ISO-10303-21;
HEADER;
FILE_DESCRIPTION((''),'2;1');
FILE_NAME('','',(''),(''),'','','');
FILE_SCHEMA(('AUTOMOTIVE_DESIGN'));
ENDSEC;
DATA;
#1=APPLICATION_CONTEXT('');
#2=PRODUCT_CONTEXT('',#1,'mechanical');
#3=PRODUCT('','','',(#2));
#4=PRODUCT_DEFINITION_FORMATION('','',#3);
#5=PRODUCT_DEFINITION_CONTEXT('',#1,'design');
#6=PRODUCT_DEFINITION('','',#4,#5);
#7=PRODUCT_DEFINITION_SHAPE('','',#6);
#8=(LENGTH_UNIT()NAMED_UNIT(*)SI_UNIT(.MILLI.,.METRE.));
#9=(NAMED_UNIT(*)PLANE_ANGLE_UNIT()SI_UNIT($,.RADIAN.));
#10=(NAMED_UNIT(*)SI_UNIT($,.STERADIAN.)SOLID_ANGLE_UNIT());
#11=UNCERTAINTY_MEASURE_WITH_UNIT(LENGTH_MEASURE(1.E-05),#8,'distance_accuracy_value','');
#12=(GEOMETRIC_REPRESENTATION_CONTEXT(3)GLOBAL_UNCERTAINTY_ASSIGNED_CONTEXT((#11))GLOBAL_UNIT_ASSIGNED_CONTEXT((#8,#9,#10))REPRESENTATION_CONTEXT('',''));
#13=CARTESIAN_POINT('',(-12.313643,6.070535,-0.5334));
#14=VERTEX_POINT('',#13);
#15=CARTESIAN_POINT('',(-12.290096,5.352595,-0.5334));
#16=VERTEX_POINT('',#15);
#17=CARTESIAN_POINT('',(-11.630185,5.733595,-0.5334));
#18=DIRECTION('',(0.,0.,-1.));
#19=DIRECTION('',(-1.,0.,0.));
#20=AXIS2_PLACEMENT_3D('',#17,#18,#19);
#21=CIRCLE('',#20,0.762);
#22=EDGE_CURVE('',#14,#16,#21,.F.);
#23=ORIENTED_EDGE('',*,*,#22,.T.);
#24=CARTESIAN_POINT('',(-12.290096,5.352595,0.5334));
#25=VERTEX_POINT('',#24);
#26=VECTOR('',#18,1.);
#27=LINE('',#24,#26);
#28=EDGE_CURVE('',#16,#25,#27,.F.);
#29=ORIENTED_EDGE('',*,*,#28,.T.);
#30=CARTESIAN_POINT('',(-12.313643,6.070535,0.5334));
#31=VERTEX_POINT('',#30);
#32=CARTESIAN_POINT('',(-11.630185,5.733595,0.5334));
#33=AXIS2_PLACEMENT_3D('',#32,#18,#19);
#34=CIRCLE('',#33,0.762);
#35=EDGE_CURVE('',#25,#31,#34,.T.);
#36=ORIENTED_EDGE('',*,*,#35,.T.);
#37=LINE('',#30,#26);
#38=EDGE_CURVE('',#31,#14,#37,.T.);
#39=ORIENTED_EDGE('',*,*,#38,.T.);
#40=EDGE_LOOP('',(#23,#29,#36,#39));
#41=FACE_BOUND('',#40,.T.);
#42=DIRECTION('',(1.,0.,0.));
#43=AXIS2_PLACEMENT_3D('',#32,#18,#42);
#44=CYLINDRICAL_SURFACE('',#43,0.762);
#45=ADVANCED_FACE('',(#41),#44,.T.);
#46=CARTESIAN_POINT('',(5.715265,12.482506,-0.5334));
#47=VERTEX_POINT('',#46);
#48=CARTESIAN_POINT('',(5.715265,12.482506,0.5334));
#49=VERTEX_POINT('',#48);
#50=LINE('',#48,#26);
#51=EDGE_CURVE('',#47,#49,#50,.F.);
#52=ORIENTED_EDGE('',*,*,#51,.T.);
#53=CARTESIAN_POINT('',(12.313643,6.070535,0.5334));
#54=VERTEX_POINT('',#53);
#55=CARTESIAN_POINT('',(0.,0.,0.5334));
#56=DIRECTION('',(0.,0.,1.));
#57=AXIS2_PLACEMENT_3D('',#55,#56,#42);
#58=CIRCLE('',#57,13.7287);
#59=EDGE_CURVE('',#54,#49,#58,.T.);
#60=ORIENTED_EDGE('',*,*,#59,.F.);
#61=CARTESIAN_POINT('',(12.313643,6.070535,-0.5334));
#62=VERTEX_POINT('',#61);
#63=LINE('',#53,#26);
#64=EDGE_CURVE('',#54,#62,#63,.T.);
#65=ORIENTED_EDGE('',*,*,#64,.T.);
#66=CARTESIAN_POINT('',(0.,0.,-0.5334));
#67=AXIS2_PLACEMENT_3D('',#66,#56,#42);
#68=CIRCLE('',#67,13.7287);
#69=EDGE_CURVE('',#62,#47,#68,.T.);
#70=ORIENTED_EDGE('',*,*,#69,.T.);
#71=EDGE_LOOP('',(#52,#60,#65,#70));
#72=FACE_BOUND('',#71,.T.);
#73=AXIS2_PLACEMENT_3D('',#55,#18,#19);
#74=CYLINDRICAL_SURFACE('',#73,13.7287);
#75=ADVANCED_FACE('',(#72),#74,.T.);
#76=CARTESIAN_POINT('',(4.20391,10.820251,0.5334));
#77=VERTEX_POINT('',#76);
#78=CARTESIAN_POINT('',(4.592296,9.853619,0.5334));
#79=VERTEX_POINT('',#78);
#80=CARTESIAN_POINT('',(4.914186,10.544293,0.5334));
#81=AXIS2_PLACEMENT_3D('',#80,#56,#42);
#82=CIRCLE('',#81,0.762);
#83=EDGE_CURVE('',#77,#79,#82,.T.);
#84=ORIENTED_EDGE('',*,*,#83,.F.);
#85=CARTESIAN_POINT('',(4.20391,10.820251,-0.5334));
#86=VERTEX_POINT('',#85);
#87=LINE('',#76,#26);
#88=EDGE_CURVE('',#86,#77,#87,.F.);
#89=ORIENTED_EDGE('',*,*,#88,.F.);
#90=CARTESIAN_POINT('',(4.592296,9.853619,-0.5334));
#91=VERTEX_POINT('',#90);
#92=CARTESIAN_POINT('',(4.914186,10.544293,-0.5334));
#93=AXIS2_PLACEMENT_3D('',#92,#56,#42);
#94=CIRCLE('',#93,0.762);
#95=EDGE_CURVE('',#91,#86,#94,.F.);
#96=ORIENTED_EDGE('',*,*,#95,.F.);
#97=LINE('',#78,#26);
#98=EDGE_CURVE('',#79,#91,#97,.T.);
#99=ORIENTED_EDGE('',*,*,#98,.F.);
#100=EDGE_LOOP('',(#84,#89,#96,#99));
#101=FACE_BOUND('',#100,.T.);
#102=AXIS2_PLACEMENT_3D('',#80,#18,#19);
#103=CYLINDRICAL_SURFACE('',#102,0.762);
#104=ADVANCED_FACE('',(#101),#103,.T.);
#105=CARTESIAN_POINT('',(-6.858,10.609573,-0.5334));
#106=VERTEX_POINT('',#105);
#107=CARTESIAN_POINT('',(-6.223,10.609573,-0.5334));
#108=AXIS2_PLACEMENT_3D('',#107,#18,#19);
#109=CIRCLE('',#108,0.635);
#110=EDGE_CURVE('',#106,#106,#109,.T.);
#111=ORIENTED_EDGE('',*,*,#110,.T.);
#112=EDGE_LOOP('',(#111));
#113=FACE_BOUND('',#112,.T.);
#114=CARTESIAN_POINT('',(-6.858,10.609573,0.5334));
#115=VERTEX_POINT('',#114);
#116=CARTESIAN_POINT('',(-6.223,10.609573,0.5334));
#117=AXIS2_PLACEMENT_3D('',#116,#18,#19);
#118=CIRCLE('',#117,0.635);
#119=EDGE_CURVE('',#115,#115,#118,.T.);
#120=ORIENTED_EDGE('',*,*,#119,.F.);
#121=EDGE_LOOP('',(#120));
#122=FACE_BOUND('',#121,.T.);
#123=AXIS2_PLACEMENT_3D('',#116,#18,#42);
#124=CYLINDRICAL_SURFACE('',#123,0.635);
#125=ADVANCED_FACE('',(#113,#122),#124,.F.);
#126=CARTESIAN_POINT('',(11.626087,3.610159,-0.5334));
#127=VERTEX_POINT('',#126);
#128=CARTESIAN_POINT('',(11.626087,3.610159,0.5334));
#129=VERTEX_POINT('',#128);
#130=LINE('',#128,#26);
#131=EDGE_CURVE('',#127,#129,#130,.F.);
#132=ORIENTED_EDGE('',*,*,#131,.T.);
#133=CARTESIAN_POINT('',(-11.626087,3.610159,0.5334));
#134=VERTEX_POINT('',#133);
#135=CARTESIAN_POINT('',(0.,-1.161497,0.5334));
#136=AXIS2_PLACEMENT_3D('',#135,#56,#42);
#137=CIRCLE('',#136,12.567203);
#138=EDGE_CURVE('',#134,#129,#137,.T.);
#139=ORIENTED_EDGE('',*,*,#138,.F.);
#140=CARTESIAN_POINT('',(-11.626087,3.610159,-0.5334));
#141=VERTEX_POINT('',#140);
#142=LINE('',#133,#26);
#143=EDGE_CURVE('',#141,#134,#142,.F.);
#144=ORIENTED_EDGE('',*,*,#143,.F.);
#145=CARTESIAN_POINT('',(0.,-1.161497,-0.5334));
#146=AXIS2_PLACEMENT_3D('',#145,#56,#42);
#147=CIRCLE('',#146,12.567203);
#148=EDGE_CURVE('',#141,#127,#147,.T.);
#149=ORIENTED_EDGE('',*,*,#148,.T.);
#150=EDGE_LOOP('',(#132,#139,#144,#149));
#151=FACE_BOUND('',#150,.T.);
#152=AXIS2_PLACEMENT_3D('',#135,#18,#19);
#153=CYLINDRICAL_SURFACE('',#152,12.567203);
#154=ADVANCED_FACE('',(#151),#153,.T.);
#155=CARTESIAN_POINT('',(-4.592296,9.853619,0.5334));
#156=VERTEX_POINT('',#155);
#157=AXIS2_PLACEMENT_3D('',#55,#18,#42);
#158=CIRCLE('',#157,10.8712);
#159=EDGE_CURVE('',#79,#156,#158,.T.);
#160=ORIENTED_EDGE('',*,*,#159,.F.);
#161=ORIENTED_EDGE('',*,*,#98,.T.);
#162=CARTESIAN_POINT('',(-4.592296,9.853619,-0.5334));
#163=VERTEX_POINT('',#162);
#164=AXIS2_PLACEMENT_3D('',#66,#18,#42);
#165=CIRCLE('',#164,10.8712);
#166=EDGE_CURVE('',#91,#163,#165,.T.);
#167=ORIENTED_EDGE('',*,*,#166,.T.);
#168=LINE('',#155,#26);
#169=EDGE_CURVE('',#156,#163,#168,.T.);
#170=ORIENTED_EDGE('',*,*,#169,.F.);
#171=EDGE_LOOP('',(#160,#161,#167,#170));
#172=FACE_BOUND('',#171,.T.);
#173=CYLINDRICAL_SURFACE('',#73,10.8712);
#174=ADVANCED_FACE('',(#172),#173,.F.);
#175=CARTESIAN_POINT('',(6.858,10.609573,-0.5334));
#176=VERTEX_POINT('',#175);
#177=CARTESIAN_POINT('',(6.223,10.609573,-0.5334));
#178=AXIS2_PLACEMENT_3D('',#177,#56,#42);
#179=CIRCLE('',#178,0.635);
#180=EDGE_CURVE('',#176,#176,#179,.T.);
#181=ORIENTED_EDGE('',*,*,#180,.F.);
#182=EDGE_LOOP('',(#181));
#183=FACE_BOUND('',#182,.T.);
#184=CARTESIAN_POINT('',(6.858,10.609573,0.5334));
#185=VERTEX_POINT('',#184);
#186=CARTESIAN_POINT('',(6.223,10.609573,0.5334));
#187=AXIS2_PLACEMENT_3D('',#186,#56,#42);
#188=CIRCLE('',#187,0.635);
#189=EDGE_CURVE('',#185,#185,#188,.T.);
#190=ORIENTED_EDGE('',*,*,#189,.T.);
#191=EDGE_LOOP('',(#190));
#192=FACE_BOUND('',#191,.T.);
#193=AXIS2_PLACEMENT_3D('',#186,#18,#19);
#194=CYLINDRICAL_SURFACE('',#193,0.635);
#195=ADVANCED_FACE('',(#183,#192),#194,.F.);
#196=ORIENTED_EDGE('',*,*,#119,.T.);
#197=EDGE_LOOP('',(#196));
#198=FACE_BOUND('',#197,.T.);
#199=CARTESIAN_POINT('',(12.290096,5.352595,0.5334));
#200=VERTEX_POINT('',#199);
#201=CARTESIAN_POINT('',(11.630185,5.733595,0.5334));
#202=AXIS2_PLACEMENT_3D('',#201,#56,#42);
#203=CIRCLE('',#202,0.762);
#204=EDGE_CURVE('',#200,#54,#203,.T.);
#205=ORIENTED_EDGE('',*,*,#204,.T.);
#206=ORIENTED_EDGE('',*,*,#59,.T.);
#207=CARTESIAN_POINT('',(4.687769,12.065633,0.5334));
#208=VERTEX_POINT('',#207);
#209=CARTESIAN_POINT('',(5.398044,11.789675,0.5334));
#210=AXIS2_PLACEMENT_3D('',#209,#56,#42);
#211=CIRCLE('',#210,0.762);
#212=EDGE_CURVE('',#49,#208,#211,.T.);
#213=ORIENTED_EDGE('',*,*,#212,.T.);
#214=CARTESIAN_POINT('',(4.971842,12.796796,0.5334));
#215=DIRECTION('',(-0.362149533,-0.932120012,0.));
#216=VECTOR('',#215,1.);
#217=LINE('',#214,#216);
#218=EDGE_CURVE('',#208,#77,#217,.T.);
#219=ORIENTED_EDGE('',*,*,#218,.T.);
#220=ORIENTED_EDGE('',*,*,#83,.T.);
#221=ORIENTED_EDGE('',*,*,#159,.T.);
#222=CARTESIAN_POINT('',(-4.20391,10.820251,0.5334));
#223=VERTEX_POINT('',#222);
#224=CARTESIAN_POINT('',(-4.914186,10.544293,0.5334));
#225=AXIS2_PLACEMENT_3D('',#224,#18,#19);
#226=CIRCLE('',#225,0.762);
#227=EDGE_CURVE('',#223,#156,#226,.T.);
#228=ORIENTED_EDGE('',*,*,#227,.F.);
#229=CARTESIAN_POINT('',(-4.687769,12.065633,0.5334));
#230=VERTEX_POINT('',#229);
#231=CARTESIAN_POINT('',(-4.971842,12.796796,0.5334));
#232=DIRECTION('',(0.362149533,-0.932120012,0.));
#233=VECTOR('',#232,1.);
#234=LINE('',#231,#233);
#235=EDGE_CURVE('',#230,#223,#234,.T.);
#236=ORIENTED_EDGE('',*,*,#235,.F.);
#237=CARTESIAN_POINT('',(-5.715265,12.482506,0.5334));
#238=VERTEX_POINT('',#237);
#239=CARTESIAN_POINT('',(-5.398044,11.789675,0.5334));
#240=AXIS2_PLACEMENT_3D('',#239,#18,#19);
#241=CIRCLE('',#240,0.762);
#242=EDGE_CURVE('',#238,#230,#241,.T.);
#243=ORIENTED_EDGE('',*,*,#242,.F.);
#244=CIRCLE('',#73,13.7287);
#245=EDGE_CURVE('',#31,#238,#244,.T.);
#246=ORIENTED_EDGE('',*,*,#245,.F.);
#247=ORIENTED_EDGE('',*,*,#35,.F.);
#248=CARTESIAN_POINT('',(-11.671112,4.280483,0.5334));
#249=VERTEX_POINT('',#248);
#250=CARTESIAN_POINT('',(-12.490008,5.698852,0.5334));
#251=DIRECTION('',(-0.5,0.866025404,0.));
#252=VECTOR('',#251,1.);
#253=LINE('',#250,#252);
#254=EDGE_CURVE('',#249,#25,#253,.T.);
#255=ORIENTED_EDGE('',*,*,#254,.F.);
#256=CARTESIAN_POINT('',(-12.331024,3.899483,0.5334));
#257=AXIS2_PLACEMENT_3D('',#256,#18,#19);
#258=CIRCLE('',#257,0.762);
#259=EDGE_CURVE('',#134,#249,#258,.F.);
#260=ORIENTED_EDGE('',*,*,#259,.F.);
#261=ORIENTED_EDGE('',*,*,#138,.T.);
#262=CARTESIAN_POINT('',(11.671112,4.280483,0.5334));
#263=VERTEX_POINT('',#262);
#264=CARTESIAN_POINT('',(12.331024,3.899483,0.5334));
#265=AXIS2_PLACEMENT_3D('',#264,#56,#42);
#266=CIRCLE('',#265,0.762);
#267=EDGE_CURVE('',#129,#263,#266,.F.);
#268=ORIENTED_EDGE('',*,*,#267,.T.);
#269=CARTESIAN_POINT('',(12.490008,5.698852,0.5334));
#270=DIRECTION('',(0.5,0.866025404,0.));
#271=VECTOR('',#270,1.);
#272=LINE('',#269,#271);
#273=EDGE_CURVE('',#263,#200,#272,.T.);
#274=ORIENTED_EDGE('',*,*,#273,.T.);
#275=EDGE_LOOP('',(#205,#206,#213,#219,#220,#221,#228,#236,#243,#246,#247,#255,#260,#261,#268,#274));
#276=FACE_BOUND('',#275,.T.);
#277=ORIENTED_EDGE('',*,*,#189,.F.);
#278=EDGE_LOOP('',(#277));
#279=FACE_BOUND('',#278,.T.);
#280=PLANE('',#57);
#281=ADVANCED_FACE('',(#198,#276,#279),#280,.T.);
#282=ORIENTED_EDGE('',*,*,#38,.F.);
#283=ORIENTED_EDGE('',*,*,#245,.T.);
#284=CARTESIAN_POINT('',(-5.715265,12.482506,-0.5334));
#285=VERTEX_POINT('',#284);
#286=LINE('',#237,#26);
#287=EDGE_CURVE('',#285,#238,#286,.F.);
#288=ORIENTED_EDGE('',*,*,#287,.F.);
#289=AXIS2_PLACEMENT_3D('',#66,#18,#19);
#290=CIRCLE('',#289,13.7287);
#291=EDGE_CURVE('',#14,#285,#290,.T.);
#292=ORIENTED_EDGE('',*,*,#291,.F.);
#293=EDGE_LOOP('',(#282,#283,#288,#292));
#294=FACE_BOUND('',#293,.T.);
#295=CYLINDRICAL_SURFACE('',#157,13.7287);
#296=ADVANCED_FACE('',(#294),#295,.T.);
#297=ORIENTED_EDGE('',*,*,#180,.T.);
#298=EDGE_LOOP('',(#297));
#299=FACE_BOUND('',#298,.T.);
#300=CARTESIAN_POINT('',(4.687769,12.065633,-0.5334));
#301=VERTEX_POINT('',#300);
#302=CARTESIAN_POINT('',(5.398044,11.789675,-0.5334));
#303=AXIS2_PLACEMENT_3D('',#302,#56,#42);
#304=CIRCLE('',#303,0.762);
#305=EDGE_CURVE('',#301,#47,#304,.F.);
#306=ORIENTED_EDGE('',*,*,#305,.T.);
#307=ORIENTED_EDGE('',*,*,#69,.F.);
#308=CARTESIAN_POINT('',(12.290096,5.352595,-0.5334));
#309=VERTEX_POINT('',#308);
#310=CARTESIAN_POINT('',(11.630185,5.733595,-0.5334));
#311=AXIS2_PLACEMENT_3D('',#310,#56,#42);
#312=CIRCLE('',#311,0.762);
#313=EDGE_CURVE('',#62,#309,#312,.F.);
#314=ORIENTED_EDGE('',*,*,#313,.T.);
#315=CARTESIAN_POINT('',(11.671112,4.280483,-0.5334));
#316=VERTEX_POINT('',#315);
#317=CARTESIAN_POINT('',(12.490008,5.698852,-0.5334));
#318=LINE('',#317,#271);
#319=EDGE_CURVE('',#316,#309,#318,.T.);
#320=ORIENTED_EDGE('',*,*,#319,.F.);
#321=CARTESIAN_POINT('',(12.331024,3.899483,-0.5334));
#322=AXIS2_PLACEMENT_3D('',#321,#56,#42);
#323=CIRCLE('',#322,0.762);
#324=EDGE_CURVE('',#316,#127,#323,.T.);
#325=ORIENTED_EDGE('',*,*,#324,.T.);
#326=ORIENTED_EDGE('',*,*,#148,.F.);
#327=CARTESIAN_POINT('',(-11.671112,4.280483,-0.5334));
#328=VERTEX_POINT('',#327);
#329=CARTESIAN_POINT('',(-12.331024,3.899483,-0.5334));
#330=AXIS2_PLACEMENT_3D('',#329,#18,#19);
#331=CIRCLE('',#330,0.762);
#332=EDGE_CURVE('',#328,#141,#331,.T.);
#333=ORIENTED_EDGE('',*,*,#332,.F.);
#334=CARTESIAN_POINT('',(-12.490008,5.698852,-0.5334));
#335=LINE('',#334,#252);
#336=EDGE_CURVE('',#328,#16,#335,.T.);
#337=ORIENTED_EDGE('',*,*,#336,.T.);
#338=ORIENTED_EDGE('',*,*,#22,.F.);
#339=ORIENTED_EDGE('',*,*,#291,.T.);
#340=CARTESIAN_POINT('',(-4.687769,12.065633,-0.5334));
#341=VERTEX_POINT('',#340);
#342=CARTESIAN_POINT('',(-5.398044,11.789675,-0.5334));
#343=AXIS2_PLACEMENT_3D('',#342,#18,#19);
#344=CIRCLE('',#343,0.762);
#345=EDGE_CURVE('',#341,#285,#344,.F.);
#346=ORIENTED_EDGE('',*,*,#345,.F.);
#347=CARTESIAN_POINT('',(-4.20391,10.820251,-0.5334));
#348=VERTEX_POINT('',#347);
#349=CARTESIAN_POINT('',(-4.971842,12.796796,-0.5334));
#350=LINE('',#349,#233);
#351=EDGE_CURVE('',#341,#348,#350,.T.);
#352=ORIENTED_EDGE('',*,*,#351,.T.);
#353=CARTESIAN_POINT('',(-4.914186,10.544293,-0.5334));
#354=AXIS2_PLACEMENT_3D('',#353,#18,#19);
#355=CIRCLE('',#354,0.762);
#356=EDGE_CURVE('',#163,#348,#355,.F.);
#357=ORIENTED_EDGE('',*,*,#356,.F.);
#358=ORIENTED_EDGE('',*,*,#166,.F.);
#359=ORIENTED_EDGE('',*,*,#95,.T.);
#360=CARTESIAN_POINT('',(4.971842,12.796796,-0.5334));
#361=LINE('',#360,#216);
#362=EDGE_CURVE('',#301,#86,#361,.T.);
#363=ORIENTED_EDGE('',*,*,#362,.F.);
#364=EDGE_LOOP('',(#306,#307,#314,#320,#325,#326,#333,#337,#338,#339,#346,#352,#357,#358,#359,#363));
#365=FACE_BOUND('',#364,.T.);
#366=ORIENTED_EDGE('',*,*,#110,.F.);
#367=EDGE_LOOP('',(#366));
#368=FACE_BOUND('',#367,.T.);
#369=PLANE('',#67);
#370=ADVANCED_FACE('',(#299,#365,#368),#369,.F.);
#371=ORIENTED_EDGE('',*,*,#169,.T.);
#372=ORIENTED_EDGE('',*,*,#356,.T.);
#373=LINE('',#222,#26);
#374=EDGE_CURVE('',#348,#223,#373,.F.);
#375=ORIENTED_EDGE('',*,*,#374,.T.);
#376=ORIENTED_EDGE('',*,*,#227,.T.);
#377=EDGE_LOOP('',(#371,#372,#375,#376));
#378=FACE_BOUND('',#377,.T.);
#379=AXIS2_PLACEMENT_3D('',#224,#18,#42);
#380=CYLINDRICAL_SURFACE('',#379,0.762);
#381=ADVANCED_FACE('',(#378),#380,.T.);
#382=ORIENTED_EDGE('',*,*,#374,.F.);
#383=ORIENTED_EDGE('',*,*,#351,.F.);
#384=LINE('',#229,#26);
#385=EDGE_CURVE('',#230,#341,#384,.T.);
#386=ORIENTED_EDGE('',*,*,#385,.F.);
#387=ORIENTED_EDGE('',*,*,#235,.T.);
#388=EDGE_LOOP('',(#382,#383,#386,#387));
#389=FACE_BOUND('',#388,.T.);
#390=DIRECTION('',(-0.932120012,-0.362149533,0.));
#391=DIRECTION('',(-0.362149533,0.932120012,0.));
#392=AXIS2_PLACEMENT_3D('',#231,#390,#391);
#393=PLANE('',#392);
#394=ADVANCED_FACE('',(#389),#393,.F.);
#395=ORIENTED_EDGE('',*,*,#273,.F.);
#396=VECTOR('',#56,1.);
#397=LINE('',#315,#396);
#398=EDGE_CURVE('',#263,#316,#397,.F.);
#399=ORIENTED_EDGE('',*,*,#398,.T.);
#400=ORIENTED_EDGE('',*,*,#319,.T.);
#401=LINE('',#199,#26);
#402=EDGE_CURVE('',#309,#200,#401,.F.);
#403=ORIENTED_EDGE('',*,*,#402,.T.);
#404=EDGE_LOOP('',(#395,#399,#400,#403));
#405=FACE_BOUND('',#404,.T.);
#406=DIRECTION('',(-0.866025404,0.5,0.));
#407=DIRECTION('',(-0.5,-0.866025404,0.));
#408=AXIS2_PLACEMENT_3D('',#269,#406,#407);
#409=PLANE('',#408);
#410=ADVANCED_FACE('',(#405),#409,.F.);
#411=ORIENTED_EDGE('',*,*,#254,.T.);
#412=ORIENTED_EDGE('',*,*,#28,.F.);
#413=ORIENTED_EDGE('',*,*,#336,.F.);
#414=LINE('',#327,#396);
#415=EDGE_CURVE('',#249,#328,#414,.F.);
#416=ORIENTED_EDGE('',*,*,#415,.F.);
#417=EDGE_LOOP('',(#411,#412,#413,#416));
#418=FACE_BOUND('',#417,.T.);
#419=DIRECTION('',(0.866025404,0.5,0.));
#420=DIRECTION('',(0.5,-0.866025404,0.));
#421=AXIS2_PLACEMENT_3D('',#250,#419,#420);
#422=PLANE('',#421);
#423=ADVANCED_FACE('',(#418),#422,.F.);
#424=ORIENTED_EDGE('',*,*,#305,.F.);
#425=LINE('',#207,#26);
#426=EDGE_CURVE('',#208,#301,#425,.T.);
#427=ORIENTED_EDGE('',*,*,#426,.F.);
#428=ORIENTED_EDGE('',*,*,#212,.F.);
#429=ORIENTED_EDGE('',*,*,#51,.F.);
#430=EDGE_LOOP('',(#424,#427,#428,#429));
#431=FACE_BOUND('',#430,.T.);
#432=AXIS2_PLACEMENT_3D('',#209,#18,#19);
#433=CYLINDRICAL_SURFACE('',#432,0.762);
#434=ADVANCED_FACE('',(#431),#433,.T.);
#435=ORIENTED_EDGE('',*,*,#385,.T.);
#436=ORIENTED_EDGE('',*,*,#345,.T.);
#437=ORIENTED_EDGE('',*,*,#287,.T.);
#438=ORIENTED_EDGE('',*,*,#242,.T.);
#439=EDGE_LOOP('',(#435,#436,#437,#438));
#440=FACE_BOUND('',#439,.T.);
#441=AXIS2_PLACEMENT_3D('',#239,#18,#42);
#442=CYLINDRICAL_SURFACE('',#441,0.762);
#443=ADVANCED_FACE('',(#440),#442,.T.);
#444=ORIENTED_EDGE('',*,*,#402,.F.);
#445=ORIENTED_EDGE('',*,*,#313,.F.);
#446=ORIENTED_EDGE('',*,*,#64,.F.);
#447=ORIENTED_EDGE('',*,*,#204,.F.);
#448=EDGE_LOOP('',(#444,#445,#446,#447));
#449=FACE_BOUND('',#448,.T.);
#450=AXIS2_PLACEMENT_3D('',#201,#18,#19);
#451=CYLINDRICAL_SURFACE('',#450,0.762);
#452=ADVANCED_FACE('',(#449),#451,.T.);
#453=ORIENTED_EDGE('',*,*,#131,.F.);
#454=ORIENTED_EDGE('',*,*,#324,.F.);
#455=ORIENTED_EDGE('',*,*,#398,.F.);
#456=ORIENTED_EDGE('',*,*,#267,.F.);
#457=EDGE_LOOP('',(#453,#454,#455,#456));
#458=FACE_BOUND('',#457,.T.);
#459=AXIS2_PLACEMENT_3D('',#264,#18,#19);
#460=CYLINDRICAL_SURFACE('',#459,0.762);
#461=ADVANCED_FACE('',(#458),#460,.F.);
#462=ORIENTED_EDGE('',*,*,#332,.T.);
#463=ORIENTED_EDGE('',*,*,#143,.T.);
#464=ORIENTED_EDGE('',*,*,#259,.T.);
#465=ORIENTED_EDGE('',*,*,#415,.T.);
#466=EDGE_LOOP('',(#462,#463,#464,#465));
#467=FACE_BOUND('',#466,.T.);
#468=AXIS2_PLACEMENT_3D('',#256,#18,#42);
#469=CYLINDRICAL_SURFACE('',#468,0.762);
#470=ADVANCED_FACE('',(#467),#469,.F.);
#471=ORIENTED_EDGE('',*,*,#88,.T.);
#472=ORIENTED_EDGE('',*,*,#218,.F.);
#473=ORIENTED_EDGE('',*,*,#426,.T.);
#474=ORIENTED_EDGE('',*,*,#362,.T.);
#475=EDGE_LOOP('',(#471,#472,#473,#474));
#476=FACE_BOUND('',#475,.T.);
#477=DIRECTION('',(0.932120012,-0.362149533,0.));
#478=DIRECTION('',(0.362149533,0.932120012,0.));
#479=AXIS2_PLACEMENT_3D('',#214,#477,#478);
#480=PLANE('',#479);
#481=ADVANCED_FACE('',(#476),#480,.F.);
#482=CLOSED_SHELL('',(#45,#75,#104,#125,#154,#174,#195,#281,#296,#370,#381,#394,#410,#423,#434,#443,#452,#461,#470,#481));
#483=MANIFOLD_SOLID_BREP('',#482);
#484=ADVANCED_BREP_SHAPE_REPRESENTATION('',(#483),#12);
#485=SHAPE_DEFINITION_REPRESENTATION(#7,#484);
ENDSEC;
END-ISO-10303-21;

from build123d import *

# Parameters (mm, degrees)
SKETCH1_R           = 0.635
BOSS_EXTRUDE1_DEPTH = 0.5334
FILLET1_R           = 0.762


with BuildPart() as part:
    # Sketch1 → Boss-Extrude1 (new, symmetric)
    with BuildSketch(Plane.XY):
        with BuildLine():
            Line((0, -10.8712), (0, -13.7287))
            ThreePointArc((0, -13.7287), (10.539853689, -8.005916567), (11.480547007, 3.950414898))
            Line((11.480547007, 3.950414898), (12.490007611, 5.698851952))
            ThreePointArc((12.490007611, 5.698851952), (9.424661953, 9.982632457), (4.97184229, 12.796796003))
            Line((4.97184229, 12.796796003), (3.937, 10.13326307))
            ThreePointArc((3.937, 10.13326307), (10.685123278, -2.002780562), (0, -10.8712))
        make_face()
        with Locations((6.223, 10.609573083)):
            Circle(SKETCH1_R, mode=Mode.SUBTRACT)
    extrude(amount=BOSS_EXTRUDE1_DEPTH, both=True)

    # Fillet1
    fillet1_edges = [part.edges().sort_by_distance(p)[0] for p in [
        (12.490007611, 5.698851952, 0),
        (11.480547007, 3.950414898, 0),
        (3.937, 10.13326307, 0),
        (4.97184229, 12.796796003, 0),
    ]]
    fillet(fillet1_edges, radius=FILLET1_R)

    # Mirror1: part across plane


with BuildPart() as part_1:
    add(part.part)
    add(part.part.mirror(Plane(origin=(0, 0, 0), x_dir=(0, 0, 1), z_dir=(1, 0, 0))))


solid = part_1.part
